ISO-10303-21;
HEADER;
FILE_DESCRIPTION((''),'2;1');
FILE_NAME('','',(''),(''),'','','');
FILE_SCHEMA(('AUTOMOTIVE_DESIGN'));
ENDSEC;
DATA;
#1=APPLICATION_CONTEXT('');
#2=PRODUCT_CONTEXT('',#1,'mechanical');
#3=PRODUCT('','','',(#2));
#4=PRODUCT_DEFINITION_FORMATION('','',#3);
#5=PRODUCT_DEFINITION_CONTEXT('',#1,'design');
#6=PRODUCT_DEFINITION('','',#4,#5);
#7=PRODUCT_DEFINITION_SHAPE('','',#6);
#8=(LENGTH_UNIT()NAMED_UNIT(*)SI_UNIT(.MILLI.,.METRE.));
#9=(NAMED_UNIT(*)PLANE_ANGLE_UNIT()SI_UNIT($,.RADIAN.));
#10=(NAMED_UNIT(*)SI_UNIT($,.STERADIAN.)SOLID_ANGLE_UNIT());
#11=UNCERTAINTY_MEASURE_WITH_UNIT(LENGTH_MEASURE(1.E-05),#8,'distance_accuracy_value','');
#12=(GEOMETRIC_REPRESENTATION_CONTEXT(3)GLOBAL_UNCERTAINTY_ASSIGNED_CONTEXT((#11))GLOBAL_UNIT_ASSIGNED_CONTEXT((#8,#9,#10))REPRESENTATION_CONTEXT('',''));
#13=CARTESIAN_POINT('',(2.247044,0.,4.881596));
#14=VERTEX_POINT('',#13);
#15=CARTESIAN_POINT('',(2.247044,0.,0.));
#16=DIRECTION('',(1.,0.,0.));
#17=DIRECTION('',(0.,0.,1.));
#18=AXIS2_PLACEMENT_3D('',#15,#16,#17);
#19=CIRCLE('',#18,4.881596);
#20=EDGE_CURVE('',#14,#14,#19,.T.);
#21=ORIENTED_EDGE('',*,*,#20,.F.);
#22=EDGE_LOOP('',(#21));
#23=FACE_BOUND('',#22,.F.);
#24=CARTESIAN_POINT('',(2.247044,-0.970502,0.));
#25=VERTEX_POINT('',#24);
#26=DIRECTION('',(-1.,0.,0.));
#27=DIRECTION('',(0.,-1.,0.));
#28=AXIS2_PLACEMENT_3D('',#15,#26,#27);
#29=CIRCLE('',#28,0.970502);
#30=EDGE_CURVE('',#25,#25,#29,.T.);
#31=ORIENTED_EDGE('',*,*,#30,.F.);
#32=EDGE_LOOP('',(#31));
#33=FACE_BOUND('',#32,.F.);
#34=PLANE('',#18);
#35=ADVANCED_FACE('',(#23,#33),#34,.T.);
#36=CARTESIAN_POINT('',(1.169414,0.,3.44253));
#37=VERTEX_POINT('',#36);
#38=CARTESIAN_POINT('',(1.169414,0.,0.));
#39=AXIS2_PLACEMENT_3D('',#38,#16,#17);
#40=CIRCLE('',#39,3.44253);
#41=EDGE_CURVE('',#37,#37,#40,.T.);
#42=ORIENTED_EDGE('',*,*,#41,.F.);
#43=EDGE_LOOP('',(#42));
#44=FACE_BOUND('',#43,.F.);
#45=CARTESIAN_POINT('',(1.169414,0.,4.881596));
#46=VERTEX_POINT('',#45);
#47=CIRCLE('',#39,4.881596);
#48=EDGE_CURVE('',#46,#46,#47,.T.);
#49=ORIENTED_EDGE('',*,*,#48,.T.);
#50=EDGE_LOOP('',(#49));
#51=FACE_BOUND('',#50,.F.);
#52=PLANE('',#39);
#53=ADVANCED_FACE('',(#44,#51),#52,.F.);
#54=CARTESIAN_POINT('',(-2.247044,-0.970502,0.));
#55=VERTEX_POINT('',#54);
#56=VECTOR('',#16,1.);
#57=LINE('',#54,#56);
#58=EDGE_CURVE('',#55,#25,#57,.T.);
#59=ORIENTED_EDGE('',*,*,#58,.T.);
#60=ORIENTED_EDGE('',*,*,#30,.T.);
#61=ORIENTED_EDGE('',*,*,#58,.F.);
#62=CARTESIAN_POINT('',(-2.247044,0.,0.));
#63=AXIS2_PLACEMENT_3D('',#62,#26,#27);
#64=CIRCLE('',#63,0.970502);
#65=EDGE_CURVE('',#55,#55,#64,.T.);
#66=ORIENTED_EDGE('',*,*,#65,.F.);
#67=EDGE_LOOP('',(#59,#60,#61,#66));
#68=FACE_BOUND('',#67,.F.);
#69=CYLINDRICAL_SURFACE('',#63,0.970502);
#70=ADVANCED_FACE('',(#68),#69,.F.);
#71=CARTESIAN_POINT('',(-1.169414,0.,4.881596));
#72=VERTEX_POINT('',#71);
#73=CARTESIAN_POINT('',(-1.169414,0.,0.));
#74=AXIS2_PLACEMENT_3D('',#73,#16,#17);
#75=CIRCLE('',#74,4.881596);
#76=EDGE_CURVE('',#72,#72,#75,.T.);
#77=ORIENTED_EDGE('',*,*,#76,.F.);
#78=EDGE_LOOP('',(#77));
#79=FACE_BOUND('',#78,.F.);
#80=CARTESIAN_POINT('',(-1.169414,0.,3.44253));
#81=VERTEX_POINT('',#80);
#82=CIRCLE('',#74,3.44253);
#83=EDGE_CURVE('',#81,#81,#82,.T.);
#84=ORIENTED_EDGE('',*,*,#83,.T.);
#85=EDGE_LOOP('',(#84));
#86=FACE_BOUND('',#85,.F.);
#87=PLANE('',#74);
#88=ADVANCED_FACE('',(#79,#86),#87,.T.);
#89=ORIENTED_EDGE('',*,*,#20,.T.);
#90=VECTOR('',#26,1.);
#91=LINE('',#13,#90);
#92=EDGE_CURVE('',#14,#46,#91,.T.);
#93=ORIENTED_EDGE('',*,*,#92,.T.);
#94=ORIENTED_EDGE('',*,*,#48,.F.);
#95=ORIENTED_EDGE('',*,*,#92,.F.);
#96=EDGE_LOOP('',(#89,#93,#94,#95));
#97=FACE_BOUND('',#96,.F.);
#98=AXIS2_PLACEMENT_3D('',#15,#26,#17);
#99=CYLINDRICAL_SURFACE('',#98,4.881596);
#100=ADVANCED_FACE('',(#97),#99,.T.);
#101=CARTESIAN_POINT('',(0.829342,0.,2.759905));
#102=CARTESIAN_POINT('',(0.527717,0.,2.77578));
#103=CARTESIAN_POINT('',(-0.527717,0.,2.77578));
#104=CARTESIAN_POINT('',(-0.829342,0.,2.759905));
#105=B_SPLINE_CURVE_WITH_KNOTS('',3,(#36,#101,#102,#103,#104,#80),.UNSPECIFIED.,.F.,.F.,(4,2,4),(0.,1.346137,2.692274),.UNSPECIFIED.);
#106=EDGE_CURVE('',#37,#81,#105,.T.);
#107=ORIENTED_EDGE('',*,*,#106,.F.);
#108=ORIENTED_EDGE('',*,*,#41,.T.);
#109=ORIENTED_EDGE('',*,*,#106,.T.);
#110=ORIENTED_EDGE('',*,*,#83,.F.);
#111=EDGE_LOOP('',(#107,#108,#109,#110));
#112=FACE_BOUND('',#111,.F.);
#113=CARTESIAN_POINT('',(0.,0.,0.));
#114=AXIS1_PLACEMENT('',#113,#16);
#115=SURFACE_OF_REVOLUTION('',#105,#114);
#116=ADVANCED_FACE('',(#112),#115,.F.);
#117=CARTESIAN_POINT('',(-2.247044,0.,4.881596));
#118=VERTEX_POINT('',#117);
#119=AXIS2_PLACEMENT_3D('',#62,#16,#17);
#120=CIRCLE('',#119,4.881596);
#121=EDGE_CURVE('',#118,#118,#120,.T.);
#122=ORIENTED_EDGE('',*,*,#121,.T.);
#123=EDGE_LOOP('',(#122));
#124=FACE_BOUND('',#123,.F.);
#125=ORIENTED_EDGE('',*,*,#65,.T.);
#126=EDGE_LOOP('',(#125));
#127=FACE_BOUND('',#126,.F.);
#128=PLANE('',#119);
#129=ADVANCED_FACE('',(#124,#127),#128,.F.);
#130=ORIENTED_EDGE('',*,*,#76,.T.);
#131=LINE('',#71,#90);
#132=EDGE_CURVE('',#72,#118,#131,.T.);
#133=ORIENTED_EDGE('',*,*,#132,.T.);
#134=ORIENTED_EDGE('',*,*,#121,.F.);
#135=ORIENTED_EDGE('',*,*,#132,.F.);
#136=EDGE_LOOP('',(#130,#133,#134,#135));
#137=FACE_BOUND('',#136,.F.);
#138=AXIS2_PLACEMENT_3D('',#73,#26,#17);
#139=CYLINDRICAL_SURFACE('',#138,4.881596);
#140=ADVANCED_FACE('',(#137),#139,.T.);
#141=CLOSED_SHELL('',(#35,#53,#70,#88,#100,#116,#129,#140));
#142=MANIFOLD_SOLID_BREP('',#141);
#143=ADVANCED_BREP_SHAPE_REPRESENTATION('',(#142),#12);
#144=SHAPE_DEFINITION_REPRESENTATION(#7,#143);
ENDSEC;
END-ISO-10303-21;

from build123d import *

# Parameters (mm, degrees)
F2_R     = 0.970502
F3_DEPTH = 25.4


with BuildPart() as f1:
    # F0 (on Front) → F1 (revolve)
    with BuildSketch(Plane.XZ):
        Polygon((-1.169414, 4.881596), (-2.247044, 4.881596), (-2.247044, 0), (-1.169414, 0), (-1.169414, 3.44253), align=None)
        with BuildLine():
            add(Edge.make_bspline(
                [(-1.169414, 3.44253), (-0.829342, 2.759905), (-0.527717, 2.77578), (0, 2.77578)],
                knots=[0, 0, 0, 0, 1.346137, 1.346137, 1.346137, 1.346137], degree=3))
            Line((-1.169414, 3.44253), (-1.169414, 0))
            Line((-1.169414, 0), (1.169414, 0))
            Line((1.169414, 0), (1.169414, 3.44253))
            add(Edge.make_bspline(
                [(1.169414, 3.44253), (0.829342, 2.759905), (0.527717, 2.77578), (0, 2.77578)],
                knots=[0, 0, 0, 0, 1.346137, 1.346137, 1.346137, 1.346137], degree=3))
        make_face()
        Polygon((1.169414, 3.44253), (1.169414, 0), (2.247044, 0), (2.247044, 4.881596), (1.169414, 4.881596), align=None)
    revolve(axis=Axis((0, 0, 0), (1, 0, 0)))

    # F2 (on face) → F3 (cut)
    with BuildSketch(Plane(origin=(-2.247044, 0, 0), x_dir=(0, -1, 0), z_dir=(-1, 0, 0))):
        Circle(F2_R)
    extrude(amount=-F3_DEPTH, mode=Mode.SUBTRACT)


solid = f1.part
